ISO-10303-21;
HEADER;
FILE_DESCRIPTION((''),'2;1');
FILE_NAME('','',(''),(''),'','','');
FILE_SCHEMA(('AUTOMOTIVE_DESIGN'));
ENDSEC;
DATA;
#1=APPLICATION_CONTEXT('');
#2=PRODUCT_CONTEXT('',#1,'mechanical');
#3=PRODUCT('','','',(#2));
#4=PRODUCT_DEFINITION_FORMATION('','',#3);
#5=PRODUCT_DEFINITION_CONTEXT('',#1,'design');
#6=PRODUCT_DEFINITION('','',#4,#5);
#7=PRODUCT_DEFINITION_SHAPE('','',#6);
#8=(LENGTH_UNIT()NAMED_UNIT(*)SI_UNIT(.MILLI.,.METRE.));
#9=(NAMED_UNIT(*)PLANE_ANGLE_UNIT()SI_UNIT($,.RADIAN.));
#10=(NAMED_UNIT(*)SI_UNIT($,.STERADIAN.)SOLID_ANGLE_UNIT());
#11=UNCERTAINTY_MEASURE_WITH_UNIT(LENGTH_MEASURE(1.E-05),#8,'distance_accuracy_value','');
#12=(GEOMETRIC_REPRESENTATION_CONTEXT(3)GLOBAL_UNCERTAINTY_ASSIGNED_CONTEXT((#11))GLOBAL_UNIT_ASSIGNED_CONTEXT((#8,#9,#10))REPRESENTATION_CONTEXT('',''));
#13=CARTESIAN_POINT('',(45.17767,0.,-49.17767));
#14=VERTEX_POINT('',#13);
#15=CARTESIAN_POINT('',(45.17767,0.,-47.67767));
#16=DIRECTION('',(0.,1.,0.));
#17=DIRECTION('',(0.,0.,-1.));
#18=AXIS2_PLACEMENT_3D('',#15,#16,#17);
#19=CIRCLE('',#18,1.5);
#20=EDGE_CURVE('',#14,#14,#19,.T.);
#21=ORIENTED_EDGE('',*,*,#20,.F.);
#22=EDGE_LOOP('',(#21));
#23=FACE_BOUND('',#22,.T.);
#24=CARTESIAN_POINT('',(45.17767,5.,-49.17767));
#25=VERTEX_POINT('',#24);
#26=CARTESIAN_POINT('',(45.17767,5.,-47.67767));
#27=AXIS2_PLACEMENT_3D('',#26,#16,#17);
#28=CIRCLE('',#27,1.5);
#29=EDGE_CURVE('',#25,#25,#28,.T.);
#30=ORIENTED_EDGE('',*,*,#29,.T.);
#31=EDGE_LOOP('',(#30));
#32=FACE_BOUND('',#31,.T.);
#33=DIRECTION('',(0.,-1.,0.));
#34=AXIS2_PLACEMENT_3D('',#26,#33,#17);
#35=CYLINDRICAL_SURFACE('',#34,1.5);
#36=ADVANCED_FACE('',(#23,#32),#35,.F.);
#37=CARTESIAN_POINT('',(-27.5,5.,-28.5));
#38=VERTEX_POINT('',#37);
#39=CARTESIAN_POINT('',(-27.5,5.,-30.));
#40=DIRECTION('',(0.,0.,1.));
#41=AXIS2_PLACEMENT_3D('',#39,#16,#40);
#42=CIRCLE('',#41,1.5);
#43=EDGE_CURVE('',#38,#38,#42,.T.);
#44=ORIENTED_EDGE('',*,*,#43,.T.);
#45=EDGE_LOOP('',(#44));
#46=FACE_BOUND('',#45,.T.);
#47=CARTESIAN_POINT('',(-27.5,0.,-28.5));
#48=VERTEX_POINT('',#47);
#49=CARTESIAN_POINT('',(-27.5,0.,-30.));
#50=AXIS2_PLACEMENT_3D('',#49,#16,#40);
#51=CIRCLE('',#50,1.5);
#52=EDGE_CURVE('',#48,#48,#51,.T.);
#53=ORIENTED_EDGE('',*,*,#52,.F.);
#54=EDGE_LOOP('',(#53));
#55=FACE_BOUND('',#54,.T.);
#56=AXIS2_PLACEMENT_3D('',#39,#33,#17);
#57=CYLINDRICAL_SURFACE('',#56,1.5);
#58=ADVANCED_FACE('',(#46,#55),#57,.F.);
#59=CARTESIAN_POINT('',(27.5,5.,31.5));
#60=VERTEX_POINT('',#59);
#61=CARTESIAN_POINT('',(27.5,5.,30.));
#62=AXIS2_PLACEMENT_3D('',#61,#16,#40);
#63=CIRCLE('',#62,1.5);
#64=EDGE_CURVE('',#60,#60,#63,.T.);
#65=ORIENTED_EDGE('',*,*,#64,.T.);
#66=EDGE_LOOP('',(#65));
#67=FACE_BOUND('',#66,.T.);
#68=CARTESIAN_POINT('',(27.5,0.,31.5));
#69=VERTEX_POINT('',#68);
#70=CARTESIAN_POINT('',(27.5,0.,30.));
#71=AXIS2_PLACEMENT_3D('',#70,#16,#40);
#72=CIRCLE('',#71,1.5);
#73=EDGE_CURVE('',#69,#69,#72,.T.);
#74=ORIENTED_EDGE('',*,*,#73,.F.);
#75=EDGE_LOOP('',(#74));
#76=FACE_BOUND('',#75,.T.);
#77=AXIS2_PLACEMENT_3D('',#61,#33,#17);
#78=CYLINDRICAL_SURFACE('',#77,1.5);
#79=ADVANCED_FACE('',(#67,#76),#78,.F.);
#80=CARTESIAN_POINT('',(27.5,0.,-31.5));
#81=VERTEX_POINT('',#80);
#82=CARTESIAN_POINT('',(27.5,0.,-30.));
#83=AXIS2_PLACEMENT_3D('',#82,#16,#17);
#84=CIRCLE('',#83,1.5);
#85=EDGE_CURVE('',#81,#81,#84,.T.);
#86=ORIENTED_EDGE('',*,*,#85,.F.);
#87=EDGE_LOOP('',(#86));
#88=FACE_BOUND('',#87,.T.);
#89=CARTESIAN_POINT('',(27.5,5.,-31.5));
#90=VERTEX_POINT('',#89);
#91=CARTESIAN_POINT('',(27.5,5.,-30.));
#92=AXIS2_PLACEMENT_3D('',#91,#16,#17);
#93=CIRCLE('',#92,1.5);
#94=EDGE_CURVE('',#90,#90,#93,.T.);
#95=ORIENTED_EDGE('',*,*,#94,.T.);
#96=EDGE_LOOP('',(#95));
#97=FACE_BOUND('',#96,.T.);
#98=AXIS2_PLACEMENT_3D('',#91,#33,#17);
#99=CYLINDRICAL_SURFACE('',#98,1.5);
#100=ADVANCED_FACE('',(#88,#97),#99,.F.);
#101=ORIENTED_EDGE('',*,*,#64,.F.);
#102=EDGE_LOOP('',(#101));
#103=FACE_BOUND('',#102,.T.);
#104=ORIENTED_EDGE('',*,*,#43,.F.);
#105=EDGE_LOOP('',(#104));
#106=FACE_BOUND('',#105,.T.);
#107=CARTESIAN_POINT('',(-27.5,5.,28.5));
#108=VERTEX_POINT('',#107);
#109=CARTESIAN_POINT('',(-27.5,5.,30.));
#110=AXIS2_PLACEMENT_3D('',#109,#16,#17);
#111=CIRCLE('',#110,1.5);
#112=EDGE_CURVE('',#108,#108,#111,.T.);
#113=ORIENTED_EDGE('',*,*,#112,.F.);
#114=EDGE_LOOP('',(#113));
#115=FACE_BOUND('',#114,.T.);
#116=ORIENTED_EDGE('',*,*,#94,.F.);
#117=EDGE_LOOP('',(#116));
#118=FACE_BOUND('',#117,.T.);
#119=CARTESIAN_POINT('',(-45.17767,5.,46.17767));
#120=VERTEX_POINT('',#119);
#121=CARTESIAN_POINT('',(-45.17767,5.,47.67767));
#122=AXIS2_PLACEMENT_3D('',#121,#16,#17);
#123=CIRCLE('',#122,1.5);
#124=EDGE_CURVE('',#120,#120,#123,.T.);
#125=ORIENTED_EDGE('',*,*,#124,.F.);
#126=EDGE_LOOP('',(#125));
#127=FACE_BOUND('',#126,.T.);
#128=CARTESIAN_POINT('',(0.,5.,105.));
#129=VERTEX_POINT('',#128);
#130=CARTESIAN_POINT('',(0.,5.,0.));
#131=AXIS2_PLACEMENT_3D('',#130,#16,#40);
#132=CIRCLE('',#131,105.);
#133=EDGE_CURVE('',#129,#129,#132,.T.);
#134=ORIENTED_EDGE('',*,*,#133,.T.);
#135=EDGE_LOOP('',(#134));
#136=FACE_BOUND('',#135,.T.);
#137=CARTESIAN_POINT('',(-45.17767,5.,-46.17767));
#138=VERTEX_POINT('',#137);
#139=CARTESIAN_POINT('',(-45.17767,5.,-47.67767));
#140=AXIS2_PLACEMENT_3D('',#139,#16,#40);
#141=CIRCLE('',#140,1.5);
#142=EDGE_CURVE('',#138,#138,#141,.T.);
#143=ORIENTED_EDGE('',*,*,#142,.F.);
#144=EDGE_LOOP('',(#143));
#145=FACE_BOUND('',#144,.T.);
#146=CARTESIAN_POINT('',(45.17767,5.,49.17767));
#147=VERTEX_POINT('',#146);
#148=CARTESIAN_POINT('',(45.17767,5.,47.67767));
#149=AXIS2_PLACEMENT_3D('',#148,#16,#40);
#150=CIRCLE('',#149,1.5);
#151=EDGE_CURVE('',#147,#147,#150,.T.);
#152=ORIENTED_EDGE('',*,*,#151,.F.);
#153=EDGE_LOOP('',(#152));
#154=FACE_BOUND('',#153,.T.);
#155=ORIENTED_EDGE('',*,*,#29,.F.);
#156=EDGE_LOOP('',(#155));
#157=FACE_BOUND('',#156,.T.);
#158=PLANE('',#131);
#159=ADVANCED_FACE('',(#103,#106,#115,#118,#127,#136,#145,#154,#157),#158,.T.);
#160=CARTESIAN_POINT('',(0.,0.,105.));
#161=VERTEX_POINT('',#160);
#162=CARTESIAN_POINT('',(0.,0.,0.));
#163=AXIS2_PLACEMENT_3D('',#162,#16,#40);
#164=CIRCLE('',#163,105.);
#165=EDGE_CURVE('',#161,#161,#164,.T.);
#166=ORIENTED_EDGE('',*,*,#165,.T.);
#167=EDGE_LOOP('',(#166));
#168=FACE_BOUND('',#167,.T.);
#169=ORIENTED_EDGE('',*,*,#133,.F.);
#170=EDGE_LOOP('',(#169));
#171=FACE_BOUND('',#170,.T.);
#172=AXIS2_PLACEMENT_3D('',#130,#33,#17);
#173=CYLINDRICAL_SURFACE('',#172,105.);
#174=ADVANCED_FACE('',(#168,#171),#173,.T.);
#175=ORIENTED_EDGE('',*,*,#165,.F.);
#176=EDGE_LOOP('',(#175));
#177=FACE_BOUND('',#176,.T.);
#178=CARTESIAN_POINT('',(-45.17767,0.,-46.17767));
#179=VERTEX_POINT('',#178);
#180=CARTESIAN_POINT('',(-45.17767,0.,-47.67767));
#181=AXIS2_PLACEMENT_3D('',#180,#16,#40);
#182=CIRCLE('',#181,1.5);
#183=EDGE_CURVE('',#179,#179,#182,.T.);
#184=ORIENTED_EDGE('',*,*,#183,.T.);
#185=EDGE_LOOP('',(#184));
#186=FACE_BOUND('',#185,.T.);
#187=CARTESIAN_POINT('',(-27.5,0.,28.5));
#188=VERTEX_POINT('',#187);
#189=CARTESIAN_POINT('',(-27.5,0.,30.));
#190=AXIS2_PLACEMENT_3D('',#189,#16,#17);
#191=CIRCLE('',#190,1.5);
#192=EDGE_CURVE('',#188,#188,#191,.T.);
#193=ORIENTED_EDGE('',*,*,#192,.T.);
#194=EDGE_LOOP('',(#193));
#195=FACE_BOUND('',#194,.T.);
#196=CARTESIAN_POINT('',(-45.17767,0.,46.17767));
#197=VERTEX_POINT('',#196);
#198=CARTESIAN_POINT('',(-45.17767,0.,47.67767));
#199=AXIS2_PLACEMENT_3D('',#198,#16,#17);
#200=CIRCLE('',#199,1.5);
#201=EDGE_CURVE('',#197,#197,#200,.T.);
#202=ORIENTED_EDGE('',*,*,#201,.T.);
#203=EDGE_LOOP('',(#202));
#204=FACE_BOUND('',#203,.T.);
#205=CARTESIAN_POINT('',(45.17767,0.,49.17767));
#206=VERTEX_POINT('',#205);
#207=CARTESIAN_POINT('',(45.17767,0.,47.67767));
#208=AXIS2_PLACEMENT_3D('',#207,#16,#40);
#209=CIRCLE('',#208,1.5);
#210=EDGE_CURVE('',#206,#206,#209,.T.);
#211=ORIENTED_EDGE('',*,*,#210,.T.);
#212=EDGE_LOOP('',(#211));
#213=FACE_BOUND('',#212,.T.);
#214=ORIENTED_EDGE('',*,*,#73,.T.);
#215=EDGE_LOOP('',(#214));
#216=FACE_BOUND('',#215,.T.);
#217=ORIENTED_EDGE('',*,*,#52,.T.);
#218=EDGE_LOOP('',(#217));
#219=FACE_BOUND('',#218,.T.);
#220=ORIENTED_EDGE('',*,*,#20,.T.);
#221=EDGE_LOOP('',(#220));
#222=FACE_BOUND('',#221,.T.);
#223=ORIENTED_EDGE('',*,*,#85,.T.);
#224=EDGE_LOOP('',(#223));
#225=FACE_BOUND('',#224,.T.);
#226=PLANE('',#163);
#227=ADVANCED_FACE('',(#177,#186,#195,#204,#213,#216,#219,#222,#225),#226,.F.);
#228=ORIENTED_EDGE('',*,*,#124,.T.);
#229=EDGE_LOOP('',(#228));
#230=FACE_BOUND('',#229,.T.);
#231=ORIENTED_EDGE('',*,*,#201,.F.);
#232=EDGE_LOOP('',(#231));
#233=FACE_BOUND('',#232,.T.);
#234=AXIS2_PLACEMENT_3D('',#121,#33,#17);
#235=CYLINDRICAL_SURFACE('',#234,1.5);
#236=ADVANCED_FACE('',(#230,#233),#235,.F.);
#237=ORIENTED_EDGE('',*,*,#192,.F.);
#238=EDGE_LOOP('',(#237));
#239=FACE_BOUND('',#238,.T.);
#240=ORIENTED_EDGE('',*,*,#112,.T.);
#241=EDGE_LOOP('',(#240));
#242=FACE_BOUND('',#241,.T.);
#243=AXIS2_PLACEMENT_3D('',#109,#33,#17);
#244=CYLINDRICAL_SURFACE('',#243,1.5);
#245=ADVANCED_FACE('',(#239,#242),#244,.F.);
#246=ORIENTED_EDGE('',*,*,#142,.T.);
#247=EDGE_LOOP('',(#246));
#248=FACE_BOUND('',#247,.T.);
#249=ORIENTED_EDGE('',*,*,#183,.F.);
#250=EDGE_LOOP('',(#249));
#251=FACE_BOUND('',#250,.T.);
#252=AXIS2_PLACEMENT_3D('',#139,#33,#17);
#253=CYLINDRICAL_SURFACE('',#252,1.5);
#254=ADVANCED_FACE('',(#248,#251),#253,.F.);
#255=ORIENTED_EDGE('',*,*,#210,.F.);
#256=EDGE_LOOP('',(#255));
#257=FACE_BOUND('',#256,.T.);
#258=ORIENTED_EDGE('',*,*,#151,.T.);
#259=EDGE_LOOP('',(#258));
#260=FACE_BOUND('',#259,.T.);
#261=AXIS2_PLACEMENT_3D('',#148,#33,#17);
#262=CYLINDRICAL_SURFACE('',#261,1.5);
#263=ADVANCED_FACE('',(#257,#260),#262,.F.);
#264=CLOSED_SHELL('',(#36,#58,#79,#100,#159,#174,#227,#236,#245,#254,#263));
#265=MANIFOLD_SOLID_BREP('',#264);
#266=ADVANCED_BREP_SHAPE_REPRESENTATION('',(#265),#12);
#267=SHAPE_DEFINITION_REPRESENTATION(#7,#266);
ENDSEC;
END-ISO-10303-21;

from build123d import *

# Parameters (mm, degrees)
SKETCH1_R           = 105
SKETCH1_R_2         = 1.5
BOSS_EXTRUDE1_DEPTH = 5


with BuildPart() as part:
    # Sketch1 → Boss-Extrude1 (new body)
    with BuildSketch(Plane(origin=(0, 0, 0), x_dir=(1, 0, 0), z_dir=(0, 1, 0))):
        with Locations(Location((0, 0, 0), (0, 0, 270))):
            Circle(SKETCH1_R)
        with Locations(Location((-27.5, 30, 0), (0, 0, 270))):
            Circle(SKETCH1_R_2, mode=Mode.SUBTRACT)
        with Locations(Location((27.5, 30, 0), (0, 0, 90))):
            Circle(SKETCH1_R_2, mode=Mode.SUBTRACT)
        with Locations(Location((27.5, -30, 0), (0, 0, 270))):
            Circle(SKETCH1_R_2, mode=Mode.SUBTRACT)
        with Locations(Location((-27.5, -30, 0), (0, 0, 90))):
            Circle(SKETCH1_R_2, mode=Mode.SUBTRACT)
        with Locations(Location((-45.17766953, 47.67766953, 0), (0, 0, 270))):
            Circle(SKETCH1_R_2, mode=Mode.SUBTRACT)
        with Locations(Location((45.17766953, 47.67766953, 0), (0, 0, 90))):
            Circle(SKETCH1_R_2, mode=Mode.SUBTRACT)
        with Locations(Location((45.17766953, -47.67766953, 0), (0, 0, 270))):
            Circle(SKETCH1_R_2, mode=Mode.SUBTRACT)
        with Locations(Location((-45.17766953, -47.67766953, 0), (0, 0, 90))):
            Circle(SKETCH1_R_2, mode=Mode.SUBTRACT)
    extrude(amount=BOSS_EXTRUDE1_DEPTH)


solid = part.part
